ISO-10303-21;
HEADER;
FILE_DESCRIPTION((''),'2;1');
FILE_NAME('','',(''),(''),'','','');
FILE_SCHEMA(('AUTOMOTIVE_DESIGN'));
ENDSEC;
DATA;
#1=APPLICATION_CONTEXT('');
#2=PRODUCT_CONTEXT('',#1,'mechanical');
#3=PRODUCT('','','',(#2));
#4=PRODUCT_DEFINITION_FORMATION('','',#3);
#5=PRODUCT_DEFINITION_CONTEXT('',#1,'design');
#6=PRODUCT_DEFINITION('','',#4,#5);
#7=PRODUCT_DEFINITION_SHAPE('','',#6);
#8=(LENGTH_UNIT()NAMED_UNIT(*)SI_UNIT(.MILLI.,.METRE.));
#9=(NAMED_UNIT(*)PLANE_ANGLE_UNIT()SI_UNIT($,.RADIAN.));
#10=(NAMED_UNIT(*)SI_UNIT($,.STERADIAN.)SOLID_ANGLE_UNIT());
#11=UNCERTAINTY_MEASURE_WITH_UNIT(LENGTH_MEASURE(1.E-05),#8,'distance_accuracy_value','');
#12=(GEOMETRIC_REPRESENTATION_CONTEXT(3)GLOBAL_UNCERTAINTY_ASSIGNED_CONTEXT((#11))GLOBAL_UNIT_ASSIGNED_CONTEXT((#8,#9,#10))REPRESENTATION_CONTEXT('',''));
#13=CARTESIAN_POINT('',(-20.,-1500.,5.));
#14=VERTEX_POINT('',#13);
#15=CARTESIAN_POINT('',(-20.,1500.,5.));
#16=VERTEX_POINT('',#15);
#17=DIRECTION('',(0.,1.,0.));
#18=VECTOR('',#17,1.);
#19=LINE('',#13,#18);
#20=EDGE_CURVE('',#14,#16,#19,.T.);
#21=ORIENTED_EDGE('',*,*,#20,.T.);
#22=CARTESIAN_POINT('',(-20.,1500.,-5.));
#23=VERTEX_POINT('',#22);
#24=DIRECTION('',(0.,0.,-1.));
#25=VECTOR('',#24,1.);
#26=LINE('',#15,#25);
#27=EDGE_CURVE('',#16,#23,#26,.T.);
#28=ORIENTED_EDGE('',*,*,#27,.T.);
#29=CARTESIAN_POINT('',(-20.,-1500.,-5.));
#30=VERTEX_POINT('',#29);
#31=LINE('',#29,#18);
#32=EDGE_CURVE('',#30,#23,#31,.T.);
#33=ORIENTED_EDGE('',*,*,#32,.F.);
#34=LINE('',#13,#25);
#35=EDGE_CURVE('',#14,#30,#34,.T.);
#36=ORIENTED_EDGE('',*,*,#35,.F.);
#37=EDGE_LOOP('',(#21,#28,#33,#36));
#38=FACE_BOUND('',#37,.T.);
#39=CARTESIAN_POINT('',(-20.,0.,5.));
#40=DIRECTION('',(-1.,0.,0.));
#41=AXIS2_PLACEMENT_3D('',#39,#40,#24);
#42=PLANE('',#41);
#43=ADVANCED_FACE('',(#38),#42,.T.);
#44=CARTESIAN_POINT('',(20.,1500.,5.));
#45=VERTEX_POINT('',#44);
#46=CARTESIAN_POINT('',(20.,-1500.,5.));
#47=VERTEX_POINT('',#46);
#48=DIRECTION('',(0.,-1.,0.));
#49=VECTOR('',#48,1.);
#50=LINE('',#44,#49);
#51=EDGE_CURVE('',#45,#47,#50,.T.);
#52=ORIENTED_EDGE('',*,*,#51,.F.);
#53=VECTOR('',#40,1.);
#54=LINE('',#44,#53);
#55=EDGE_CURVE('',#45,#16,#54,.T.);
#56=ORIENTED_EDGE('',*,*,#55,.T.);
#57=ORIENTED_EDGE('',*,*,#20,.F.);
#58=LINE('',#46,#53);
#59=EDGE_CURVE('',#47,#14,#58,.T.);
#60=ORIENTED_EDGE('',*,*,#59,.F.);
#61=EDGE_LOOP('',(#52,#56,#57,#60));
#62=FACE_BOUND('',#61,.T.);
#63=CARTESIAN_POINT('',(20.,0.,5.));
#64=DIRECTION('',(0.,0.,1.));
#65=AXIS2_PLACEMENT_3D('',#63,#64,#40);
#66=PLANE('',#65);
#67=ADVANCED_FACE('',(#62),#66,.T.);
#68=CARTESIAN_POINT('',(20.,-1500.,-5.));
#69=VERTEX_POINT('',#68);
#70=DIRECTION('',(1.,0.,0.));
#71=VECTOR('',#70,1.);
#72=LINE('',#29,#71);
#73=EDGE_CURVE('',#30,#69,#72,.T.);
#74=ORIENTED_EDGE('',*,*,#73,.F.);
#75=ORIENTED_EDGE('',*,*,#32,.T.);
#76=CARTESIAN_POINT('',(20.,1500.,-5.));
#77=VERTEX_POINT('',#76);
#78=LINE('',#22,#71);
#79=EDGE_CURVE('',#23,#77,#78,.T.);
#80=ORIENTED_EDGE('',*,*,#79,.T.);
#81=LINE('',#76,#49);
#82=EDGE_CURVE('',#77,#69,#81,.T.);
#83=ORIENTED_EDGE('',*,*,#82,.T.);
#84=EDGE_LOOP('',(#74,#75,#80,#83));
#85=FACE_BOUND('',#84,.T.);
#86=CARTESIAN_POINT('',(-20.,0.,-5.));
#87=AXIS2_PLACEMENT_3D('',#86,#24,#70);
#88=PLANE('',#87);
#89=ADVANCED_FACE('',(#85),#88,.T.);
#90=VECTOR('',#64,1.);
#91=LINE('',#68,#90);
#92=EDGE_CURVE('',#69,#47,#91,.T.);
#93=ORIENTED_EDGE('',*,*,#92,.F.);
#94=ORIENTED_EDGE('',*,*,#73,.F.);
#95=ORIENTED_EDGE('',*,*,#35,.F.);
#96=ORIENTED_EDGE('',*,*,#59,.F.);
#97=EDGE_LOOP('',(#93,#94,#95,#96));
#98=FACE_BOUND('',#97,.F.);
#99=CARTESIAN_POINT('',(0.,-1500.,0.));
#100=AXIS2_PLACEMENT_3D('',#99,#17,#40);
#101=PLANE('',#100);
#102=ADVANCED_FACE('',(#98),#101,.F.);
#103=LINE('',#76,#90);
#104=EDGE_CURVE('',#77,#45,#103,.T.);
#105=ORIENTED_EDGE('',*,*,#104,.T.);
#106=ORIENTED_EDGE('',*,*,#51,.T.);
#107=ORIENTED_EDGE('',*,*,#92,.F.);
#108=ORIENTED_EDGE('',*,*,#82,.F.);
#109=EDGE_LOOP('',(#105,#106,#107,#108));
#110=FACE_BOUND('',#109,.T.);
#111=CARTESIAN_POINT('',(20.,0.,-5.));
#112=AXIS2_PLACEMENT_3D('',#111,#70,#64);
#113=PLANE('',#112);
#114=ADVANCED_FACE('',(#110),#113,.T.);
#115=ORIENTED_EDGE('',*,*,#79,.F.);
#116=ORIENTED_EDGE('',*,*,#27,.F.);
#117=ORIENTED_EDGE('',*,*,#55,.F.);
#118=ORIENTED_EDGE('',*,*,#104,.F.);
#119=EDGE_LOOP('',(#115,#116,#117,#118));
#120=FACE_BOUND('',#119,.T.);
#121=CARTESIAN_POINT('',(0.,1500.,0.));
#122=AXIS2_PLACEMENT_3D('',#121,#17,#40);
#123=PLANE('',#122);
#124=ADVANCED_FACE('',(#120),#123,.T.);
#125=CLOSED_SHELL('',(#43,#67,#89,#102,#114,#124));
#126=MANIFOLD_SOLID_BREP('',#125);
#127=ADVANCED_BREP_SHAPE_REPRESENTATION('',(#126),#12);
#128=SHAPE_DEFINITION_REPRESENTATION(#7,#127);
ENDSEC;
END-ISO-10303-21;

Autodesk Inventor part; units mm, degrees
ref_plane "YZ Plane" through (0, 0, 0) normal (1, 0, 0) x (0, 1, 0)
ref_plane "XZ Plane" through (0, 0, 0) normal (0, 1, 0) x (-1, 0, 0)
ref_plane "XY Plane" through (0, 0, 0) normal (0, 0, 1) x (1, 0, 0)
sketch "Szkic1" plane through (0, 0, 0) normal (0, 1, 0) x (-1, 0, 0)
  line L0 (20, -5) -> (-20, -5)
  line L1 (-20, -5) -> (-20, 5)
  line L2 (-20, 5) -> (20, 5)
  line L3 (20, 5) -> (20, -5)
  line L4 (20, -5) -> (-20, 5) construction
  line L5 (-20, -5) -> (20, 5) construction
  point P0 (0, 0)
  dimension "d0" = 40
  dimension "d1" = 10
extrude "Wyciągnięcie proste1" add sketch "Szkic1" along normal mid plane 3000
properties part number "przęsło"
